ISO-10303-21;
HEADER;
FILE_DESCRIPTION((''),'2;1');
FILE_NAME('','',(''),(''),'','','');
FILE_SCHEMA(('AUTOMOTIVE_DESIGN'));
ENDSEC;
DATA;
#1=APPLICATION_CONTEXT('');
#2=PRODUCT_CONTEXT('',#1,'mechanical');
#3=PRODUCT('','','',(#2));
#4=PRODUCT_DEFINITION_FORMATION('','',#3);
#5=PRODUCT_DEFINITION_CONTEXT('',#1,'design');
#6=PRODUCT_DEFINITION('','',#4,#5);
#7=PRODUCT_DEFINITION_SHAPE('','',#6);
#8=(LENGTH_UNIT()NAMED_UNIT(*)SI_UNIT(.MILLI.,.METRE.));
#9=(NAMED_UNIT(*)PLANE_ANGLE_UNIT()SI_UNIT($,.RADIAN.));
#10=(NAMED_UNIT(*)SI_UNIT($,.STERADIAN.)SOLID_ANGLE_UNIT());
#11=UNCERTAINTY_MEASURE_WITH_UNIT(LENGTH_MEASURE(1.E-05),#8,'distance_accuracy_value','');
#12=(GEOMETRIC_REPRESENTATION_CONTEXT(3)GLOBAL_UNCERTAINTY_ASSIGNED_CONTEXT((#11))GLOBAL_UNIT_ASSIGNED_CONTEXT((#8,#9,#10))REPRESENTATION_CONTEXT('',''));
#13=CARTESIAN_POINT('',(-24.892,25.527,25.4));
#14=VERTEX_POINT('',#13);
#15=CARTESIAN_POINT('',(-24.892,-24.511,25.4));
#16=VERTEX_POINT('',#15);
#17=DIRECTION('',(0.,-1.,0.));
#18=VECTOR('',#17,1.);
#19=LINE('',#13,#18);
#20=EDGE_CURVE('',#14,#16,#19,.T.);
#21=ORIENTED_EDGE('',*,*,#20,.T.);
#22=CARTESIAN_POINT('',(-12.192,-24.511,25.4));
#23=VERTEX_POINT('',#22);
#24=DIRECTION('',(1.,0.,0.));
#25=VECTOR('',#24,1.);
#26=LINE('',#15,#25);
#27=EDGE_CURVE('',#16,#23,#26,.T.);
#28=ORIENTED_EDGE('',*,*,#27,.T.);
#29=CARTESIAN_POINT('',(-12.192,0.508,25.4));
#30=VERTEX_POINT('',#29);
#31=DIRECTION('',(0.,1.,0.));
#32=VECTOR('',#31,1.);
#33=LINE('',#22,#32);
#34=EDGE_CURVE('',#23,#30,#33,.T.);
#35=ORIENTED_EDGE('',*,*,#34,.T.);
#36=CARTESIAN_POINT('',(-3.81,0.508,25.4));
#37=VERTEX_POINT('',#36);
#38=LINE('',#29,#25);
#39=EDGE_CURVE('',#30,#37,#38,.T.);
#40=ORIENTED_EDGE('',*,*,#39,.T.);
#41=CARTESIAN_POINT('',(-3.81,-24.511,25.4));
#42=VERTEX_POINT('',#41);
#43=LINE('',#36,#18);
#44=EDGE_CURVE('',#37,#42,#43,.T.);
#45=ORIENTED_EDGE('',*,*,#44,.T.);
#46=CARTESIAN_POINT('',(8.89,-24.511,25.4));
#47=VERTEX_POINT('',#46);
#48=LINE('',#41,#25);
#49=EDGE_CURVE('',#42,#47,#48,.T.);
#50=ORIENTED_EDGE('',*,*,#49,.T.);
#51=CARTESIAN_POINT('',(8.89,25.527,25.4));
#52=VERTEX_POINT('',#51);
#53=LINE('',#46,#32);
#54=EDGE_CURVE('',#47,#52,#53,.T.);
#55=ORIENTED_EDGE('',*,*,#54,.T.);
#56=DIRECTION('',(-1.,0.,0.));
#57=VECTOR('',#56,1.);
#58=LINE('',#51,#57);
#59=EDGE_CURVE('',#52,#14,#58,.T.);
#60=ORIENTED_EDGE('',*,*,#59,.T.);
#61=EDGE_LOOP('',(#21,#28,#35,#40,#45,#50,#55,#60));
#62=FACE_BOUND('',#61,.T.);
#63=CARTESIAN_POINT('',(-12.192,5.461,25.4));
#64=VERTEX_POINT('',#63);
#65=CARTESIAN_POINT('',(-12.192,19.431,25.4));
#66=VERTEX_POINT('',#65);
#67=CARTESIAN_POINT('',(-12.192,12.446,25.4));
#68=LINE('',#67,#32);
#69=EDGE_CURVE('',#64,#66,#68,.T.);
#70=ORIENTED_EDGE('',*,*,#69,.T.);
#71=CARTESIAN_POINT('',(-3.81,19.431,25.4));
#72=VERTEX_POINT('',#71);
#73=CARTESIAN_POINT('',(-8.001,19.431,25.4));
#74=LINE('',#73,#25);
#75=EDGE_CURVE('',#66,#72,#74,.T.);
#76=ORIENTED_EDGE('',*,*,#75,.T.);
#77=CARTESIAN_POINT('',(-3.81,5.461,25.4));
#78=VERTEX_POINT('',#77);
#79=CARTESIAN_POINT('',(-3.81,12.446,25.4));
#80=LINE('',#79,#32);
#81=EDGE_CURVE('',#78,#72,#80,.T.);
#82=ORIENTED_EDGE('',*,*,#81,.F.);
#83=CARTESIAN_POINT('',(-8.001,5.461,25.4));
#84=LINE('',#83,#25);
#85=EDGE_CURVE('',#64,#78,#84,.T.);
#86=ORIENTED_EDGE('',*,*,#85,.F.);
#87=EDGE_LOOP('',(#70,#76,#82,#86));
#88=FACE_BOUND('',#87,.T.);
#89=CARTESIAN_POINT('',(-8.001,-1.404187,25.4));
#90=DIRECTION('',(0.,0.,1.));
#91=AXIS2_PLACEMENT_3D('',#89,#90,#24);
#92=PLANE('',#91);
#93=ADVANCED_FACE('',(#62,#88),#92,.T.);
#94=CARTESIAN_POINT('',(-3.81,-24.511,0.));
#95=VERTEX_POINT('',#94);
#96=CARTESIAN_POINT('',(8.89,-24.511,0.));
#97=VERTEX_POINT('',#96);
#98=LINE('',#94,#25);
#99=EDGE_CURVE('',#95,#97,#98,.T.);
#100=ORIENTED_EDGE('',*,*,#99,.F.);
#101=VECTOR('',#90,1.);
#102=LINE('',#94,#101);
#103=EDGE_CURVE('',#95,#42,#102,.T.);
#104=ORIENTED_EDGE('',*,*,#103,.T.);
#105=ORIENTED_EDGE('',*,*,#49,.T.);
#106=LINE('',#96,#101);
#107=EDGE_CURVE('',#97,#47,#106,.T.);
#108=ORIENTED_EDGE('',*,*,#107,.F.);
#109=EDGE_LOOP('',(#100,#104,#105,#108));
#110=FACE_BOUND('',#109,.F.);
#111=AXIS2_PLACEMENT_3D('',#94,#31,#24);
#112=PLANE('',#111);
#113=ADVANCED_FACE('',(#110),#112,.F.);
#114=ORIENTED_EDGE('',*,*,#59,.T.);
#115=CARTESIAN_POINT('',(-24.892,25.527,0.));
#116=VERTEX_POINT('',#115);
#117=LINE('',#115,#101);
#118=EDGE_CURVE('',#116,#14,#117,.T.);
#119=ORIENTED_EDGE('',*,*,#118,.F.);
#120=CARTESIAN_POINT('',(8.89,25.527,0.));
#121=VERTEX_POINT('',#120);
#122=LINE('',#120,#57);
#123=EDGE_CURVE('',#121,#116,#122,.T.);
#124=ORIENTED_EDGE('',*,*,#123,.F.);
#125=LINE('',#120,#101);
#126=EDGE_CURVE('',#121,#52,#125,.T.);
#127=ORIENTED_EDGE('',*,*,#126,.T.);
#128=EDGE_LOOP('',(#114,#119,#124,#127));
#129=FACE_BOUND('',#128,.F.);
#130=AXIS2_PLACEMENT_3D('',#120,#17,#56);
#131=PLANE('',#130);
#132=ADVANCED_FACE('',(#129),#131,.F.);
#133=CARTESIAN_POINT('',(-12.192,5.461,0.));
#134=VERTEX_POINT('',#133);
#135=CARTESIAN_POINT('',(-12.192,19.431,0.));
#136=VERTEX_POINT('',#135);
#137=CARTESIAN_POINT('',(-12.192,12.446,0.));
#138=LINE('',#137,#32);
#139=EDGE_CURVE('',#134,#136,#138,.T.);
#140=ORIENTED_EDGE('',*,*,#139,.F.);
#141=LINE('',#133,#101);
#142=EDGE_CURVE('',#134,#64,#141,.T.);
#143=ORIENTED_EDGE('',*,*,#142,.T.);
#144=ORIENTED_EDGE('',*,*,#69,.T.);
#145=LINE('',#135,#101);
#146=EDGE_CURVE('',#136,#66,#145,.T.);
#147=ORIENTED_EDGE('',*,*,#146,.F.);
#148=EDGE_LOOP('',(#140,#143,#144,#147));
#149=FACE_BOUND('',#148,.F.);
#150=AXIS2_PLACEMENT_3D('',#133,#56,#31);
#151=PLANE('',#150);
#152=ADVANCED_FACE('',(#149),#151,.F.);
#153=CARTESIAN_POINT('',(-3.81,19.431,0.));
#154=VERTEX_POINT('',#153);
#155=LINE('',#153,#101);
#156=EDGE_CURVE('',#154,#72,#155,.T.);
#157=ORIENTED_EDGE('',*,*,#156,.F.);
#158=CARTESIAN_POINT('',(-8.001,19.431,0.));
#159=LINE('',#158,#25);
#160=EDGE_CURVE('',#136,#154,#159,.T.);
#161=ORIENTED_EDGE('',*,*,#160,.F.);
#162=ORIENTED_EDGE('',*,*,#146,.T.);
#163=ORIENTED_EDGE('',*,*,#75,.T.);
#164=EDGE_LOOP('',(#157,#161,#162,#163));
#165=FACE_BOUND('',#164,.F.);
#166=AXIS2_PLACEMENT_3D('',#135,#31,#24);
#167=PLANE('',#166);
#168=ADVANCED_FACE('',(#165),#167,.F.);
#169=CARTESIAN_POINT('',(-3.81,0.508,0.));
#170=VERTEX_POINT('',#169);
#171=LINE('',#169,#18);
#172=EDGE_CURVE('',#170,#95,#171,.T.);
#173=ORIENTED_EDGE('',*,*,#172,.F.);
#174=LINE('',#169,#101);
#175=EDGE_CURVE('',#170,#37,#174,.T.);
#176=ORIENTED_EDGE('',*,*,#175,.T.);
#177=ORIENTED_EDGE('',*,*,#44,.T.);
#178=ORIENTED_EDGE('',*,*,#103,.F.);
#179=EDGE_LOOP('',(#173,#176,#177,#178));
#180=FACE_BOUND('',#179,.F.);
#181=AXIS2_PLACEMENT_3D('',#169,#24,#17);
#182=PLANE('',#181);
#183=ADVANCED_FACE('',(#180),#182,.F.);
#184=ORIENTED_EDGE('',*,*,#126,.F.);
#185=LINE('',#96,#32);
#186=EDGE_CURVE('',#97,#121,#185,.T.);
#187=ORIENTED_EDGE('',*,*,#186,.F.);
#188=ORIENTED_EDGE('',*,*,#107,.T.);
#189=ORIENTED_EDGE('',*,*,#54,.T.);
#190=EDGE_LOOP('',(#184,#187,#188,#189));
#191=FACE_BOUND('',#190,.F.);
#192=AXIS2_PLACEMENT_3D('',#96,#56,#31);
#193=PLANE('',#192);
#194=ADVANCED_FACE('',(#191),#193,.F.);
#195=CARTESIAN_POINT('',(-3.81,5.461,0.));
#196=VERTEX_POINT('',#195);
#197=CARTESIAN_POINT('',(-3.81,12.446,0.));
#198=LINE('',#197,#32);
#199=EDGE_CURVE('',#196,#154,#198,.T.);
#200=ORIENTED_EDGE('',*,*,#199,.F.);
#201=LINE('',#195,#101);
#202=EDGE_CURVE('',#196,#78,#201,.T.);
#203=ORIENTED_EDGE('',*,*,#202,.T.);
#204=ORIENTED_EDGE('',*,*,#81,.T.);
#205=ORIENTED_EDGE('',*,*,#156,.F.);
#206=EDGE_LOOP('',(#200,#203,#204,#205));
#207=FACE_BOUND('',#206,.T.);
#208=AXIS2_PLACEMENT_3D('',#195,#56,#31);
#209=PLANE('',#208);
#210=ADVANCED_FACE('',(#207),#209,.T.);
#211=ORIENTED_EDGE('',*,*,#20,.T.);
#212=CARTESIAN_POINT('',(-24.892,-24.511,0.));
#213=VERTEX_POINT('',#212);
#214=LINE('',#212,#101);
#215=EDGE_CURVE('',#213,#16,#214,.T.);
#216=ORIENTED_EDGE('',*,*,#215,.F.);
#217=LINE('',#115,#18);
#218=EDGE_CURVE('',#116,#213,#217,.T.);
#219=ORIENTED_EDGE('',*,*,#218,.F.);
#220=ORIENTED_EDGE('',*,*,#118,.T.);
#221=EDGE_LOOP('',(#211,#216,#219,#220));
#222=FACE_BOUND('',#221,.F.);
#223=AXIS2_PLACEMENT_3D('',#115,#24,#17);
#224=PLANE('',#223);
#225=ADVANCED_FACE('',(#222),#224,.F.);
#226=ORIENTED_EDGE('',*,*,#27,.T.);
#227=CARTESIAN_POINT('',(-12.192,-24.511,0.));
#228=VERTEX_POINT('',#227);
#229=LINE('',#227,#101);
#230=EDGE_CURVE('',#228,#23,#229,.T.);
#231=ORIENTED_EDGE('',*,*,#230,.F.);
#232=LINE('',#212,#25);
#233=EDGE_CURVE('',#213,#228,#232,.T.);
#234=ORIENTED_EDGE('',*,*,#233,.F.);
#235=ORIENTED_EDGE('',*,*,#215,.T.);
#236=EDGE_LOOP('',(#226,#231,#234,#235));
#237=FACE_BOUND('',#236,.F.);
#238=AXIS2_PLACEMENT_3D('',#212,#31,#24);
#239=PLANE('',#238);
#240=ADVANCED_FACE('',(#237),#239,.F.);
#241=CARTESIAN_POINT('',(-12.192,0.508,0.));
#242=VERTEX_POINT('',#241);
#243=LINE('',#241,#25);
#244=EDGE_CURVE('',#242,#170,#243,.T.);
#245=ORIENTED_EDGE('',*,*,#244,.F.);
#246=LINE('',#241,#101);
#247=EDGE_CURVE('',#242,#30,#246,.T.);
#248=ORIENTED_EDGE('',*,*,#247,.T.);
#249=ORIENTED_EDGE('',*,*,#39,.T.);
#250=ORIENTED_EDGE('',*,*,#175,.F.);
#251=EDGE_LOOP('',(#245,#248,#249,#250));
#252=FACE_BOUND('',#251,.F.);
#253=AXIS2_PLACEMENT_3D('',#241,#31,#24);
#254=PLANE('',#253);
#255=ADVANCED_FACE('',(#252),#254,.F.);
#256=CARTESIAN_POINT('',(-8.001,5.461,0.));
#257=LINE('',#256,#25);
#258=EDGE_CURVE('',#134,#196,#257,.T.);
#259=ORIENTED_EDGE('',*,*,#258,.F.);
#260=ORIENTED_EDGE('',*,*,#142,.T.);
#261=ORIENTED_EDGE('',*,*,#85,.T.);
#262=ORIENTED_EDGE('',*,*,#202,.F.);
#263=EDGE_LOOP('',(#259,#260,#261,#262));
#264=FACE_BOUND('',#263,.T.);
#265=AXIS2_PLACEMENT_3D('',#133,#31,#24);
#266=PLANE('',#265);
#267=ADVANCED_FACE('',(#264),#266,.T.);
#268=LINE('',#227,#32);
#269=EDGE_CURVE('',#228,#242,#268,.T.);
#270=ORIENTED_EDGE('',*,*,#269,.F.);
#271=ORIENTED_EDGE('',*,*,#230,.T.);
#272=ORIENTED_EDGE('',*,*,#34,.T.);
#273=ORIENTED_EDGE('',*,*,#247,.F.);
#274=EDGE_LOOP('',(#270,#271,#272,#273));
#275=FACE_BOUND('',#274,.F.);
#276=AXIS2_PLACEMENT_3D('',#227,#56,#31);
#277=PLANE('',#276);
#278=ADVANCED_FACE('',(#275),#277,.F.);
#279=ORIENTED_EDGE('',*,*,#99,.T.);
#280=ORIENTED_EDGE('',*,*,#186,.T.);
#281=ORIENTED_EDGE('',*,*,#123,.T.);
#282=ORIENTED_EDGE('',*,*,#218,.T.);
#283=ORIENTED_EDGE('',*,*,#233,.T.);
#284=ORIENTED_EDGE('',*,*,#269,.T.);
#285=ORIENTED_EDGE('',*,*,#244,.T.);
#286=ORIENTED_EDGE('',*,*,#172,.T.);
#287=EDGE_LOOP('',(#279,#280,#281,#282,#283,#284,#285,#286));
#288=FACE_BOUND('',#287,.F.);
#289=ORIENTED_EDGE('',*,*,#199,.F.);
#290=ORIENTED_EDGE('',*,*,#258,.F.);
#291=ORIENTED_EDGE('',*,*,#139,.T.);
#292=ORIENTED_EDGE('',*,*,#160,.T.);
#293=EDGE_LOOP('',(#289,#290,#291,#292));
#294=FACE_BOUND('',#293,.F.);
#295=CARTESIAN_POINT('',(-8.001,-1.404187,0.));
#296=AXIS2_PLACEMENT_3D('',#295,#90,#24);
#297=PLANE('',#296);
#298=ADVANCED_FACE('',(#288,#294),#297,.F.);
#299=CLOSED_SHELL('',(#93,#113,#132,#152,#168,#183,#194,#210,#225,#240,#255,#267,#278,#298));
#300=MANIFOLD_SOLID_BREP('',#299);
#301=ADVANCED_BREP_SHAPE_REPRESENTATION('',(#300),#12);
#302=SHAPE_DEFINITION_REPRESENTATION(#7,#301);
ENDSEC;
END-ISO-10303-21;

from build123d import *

# Parameters (mm, degrees)
F0_W     = 8.382
F0_H     = 13.97
F1_DEPTH = 25.4


with BuildPart() as f1:
    # F0 (on Top) → F1 (new body)
    with BuildSketch(Plane.XY):
        Polygon((-12.192, 25.527), (-24.892, 25.527), (-24.892, 19.431), (-24.892, 5.461), (-24.892, 0.508), (-24.892, -24.511), (-12.192, -24.511), (-12.192, 0.508), (-3.81, 0.508), (-3.81, -24.511), (8.89, -24.511), (8.89, 0.508), (8.89, 5.461), (8.89, 19.431), (8.89, 25.527), (-3.81, 25.527), align=None)
        with Locations((-8.001, 12.446)):
            Rectangle(F0_W, F0_H, mode=Mode.SUBTRACT)
    extrude(amount=F1_DEPTH)


solid = f1.part
